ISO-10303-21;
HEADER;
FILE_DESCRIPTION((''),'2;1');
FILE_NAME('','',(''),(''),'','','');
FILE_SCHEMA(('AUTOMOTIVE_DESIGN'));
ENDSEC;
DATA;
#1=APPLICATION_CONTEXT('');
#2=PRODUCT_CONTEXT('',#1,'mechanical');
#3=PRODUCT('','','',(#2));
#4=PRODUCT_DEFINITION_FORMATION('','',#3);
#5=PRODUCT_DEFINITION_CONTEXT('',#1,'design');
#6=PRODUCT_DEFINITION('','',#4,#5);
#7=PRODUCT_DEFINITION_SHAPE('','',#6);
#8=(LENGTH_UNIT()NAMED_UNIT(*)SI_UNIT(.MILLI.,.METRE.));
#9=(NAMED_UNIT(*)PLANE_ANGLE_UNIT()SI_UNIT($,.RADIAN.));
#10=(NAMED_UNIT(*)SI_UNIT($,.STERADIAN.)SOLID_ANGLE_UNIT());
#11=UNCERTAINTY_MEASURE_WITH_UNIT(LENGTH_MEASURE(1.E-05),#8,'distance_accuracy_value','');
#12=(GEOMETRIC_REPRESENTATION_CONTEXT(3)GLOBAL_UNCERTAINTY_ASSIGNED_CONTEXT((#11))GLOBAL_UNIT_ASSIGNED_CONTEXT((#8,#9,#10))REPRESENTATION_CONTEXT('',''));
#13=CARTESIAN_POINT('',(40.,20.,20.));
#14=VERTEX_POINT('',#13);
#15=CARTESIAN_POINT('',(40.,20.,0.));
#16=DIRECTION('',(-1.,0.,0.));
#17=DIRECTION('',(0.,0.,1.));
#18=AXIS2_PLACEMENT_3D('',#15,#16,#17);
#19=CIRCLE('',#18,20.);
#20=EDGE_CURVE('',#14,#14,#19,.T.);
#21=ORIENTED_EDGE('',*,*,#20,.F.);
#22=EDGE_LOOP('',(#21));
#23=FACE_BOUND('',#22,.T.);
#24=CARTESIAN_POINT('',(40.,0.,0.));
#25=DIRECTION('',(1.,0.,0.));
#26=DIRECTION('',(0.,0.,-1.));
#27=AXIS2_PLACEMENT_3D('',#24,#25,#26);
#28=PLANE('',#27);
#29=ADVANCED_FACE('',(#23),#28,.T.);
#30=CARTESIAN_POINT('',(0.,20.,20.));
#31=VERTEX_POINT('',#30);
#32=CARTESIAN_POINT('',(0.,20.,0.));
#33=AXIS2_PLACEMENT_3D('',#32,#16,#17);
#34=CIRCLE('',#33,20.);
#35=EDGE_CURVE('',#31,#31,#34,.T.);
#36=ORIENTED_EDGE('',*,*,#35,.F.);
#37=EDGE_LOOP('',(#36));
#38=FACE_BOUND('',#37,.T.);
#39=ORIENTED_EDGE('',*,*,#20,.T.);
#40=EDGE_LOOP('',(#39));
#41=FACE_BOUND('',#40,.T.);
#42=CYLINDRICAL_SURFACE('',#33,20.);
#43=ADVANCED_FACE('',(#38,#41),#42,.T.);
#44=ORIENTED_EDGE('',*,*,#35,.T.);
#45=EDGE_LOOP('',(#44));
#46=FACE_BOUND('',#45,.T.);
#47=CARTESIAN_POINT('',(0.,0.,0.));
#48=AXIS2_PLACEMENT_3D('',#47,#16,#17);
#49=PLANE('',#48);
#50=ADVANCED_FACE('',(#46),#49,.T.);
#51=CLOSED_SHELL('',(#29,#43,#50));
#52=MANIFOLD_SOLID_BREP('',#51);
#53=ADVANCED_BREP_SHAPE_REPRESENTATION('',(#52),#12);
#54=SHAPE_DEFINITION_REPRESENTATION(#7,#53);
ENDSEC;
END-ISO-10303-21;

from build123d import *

# Parameters (mm, degrees)
SCHIZZO1_W = 40
SCHIZZO1_H = 20


with BuildPart() as part:
    # Schizzo1 → Rivoluzione1 (revolve)
    with BuildSketch(Plane.XY):
        with Locations((20, 10)):
            Rectangle(SCHIZZO1_W, SCHIZZO1_H)
    revolve(axis=Axis((0, 20, 0), (1, 0, 0)))


solid = part.part
